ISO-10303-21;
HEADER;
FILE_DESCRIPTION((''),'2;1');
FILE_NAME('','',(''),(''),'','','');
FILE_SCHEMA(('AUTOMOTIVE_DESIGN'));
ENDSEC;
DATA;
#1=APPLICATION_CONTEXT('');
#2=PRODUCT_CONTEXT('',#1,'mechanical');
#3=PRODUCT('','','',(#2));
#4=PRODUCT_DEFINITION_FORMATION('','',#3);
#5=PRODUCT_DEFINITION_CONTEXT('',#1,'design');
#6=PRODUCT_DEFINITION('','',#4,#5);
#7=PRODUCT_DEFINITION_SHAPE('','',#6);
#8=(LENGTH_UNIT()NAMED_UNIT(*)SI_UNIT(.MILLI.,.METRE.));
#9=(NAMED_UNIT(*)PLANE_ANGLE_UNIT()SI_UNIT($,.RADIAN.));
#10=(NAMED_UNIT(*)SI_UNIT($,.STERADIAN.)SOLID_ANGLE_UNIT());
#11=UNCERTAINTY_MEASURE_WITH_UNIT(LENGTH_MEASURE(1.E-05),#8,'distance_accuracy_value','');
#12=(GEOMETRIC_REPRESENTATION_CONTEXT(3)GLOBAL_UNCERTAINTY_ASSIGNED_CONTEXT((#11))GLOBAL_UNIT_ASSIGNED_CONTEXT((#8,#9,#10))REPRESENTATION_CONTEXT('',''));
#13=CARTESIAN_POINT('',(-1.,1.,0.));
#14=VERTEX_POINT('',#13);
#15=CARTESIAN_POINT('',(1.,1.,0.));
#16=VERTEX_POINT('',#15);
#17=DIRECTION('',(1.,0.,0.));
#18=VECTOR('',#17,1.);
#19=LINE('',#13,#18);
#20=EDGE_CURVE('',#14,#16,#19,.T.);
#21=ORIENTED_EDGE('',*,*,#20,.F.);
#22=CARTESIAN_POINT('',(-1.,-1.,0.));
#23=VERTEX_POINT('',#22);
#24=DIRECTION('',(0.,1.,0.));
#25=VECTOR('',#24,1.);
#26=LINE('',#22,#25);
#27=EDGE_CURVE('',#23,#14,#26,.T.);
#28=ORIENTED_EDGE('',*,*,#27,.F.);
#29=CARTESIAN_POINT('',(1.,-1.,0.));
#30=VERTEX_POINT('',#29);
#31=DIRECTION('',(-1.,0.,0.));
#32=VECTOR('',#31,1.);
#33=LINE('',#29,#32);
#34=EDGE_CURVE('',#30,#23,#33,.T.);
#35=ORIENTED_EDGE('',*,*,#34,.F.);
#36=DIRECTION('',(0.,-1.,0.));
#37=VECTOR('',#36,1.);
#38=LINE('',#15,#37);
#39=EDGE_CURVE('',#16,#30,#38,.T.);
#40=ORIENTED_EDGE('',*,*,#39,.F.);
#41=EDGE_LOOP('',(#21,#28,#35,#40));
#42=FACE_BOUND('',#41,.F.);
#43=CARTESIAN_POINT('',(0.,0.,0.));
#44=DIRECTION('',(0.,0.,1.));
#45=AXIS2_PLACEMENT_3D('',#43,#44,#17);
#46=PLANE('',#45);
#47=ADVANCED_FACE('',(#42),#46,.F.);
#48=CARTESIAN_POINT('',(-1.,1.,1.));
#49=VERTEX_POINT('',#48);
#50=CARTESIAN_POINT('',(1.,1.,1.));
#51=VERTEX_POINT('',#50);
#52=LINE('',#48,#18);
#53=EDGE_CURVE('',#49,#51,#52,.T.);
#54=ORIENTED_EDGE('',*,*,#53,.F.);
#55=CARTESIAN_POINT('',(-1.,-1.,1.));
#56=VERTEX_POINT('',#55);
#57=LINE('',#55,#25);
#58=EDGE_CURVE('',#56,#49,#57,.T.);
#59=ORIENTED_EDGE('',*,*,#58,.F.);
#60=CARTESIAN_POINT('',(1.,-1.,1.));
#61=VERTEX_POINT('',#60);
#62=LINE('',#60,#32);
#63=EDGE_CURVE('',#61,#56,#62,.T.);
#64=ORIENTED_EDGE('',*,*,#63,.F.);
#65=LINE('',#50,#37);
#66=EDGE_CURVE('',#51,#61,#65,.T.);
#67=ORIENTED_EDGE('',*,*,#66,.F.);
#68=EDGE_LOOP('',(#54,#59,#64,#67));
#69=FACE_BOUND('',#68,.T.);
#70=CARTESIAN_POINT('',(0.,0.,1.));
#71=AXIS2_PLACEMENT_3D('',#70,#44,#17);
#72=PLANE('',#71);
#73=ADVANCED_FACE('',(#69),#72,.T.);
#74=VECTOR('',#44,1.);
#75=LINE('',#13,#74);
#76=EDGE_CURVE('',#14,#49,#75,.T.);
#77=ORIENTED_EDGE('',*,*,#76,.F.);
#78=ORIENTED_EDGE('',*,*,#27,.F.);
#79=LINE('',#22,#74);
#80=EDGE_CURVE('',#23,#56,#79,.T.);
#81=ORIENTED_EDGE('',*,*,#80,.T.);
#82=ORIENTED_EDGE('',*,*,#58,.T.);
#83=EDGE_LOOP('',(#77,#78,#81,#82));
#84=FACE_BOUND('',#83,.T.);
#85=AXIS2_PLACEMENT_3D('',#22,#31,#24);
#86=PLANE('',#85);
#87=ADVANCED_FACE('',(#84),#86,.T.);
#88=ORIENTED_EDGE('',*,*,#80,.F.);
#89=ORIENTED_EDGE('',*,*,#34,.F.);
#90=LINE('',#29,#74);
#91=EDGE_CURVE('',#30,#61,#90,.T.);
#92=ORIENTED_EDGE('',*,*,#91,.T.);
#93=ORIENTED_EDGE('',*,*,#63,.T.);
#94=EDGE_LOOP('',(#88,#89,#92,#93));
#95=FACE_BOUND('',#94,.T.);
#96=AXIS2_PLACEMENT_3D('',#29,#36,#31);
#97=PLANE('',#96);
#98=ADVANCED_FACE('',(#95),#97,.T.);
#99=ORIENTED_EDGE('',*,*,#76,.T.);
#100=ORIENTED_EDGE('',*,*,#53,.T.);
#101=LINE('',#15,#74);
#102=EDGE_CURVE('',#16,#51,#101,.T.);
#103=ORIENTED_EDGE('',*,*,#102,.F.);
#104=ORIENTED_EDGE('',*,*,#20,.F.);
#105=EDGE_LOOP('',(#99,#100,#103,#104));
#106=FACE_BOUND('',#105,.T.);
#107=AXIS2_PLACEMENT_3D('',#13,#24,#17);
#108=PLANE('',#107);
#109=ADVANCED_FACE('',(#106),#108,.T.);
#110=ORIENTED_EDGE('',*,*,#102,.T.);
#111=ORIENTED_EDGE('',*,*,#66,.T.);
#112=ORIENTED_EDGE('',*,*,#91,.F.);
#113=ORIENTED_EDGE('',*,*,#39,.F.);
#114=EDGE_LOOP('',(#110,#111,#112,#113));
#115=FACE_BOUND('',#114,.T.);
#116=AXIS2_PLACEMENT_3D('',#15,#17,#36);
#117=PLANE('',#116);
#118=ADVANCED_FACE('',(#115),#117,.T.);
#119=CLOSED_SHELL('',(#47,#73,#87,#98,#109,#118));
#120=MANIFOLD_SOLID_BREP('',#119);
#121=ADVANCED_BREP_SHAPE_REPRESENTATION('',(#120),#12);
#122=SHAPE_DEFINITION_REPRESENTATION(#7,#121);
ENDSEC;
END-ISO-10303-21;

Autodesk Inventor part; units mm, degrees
ref_plane "YZ Plane" through (0, 0, 0) normal (1, 0, 0) x (0, 1, 0)
ref_plane "XZ Plane" through (0, 0, 0) normal (0, 1, 0) x (-1, 0, 0)
ref_plane "XY Plane" through (0, 0, 0) normal (0, 0, 1) x (1, 0, 0)
sketch "TP20SQ, TPTP20SQ_49" plane through (0, 0, 0) normal (0, 0, 1) x (1, 0, 0)
  line L0 (1, -1) -> (-1, -1)
  line L1 (-1, -1) -> (-1, 1)
  line L2 (-1, 1) -> (1, 1)
  line L3 (1, 1) -> (1, -1)
extrude "Extrusion1" add sketch "TP20SQ, TPTP20SQ_49" along normal blind 1
properties part number "TPTP20SQ"
